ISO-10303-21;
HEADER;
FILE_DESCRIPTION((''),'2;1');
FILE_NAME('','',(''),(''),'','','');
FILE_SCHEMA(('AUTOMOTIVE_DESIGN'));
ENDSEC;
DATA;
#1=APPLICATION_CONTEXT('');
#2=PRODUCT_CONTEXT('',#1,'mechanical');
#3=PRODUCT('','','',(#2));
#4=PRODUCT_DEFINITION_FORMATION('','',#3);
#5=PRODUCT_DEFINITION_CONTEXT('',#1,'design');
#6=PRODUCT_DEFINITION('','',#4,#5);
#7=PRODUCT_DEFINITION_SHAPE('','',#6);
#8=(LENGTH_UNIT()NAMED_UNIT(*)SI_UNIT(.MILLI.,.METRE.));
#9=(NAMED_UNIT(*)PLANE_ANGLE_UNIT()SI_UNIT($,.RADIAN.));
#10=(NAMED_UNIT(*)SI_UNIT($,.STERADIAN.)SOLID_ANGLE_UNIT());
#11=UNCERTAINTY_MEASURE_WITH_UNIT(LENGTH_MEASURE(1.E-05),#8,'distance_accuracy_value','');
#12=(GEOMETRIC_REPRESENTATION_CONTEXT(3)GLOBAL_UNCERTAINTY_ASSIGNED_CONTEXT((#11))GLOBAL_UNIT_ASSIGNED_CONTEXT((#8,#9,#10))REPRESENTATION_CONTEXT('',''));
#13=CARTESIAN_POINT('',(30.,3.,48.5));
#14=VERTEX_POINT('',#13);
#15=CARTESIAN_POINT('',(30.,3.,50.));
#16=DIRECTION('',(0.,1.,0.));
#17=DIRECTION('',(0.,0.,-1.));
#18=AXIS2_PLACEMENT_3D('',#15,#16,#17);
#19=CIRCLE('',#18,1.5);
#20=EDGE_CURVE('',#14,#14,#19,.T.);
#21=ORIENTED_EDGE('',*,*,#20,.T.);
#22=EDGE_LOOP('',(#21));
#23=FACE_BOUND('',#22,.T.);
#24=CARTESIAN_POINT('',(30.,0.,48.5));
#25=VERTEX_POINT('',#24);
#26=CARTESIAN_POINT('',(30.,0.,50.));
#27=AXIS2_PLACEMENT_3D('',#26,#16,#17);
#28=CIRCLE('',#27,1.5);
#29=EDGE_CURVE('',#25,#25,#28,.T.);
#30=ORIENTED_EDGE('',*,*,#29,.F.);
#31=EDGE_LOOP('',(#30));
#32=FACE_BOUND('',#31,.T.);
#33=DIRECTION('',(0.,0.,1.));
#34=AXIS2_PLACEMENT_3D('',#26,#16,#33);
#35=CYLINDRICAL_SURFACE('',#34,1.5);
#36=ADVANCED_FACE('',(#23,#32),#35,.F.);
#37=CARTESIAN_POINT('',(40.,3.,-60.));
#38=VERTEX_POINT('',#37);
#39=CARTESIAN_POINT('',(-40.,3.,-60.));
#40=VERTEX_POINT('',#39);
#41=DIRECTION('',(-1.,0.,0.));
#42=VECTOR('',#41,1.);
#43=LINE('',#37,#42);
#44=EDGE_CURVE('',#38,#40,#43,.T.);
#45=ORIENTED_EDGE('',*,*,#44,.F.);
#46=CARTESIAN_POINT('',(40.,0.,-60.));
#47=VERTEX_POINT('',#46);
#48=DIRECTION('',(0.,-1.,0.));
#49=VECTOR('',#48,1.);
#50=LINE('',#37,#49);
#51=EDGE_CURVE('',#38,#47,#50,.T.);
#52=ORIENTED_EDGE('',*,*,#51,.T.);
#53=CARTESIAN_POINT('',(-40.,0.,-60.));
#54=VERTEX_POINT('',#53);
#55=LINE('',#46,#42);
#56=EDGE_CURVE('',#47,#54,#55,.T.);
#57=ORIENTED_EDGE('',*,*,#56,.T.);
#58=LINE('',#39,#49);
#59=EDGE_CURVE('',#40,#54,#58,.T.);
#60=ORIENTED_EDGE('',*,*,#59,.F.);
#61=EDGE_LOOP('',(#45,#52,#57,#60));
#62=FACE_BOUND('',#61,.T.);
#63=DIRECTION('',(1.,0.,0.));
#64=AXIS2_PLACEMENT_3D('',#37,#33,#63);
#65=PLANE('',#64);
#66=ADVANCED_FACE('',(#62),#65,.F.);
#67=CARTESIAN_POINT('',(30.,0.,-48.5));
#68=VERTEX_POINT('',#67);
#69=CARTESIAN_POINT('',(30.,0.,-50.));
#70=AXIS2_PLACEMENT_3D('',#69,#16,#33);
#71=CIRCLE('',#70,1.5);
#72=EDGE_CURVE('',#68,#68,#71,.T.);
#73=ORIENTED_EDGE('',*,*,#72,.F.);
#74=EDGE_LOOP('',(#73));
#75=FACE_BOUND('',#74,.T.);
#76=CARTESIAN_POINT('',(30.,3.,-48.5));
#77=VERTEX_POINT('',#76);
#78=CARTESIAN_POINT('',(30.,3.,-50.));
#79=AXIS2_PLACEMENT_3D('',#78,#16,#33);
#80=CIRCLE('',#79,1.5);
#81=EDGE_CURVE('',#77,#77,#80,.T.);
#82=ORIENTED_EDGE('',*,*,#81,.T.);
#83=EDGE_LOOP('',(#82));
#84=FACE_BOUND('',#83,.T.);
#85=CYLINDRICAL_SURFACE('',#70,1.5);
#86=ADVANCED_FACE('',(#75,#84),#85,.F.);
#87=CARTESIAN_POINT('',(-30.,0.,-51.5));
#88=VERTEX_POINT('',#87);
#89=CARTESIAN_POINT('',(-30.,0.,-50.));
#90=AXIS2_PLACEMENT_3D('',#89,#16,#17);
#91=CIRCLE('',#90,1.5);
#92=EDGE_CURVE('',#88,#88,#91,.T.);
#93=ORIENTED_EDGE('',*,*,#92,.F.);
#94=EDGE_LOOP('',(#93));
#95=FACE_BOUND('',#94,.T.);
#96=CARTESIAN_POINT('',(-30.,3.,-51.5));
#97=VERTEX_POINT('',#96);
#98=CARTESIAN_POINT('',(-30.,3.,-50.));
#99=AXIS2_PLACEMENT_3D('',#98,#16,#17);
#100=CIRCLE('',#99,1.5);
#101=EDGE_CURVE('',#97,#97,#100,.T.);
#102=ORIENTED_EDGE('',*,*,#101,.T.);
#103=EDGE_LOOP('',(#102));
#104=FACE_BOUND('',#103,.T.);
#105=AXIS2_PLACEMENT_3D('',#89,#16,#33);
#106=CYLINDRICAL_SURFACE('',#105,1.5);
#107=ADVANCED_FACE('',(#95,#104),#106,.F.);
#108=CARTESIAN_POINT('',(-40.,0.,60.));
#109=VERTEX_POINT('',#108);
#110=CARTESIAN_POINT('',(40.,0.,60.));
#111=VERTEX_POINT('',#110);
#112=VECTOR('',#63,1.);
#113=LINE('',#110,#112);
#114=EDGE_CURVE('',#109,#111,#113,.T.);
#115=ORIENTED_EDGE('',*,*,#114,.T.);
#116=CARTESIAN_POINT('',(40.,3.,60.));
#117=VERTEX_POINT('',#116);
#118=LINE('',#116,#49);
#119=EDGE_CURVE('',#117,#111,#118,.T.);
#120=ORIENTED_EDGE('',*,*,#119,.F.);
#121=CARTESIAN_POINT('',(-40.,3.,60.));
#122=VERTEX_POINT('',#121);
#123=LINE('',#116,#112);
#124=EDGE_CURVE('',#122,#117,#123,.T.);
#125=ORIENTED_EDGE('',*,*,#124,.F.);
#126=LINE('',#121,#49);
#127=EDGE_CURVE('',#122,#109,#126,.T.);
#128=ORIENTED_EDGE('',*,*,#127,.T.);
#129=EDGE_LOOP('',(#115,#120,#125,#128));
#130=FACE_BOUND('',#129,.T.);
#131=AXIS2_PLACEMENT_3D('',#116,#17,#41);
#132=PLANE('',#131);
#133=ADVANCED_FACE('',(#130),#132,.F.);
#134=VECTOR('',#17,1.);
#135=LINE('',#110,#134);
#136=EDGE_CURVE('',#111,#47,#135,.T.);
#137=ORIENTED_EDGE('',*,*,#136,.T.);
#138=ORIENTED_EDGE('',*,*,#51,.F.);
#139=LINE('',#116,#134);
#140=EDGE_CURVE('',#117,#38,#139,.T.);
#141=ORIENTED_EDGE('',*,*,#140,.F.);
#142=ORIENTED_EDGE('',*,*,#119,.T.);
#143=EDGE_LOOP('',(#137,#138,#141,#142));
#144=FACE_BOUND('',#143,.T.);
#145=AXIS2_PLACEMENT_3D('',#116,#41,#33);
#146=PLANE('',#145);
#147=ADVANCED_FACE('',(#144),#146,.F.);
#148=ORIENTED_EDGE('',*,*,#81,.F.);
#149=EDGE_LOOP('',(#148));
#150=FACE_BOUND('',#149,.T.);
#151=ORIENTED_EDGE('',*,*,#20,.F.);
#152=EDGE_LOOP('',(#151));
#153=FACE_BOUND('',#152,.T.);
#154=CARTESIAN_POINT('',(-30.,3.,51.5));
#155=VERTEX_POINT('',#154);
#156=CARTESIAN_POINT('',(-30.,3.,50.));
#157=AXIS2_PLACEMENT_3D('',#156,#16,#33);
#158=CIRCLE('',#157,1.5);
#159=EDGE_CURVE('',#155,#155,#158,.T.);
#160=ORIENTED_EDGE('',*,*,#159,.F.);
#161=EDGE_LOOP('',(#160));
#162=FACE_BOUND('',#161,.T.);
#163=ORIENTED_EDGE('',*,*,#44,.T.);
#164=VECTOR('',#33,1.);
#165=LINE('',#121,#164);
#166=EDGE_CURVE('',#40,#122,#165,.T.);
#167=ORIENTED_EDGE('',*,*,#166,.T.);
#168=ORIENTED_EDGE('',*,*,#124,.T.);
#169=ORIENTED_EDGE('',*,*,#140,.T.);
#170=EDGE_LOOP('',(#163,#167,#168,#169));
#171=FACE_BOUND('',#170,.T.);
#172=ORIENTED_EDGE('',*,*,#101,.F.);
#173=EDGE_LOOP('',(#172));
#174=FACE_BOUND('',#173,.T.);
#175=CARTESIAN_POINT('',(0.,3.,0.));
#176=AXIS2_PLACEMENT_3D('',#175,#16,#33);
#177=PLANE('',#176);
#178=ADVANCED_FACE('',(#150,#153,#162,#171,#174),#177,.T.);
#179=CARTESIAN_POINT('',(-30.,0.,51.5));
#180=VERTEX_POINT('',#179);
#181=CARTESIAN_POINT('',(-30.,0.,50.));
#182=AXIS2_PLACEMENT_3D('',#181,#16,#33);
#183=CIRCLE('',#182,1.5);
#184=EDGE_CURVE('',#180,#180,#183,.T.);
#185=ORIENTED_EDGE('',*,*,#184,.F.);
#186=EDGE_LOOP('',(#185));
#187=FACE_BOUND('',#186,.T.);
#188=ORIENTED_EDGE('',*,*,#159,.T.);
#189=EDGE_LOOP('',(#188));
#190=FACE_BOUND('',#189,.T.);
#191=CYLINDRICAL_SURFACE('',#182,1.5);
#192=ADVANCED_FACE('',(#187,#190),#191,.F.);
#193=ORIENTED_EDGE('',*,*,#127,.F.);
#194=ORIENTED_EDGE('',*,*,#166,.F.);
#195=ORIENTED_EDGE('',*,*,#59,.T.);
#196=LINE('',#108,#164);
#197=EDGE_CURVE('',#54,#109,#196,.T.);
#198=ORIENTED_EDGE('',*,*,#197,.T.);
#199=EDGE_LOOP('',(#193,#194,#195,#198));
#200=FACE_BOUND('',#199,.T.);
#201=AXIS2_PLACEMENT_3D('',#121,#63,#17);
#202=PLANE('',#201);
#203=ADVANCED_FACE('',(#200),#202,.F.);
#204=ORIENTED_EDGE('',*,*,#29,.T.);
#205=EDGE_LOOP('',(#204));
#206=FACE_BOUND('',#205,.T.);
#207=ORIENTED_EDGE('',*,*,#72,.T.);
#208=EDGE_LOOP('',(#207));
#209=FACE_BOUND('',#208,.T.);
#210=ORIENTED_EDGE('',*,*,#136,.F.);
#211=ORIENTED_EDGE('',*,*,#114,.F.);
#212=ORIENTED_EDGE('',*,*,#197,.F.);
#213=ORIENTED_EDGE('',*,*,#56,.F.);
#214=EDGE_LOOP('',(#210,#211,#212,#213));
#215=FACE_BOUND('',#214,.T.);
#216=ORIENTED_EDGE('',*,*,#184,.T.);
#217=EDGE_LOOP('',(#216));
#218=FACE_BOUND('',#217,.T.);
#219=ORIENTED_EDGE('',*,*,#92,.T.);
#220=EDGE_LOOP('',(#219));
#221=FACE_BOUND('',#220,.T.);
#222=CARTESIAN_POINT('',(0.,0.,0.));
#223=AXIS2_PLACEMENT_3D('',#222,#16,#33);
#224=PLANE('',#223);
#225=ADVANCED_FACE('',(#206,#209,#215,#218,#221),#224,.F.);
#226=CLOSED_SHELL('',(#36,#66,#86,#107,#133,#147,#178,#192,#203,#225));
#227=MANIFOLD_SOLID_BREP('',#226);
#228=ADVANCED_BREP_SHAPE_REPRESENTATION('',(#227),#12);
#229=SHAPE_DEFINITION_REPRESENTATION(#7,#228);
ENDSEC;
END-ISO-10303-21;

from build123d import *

# Parameters (mm, degrees)
SKETCH1_W           = 80
SKETCH1_H           = 120
BOSS_EXTRUDE1_DEPTH = 3
SKETCH3_R           = 1.5
CUT_EXTRUDE2_DEPTH  = 3


with BuildPart() as part:
    # Sketch1 → Boss-Extrude1 (new body)
    with BuildSketch(Plane(origin=(0, 0, 0), x_dir=(1, 0, 0), z_dir=(0, 1, 0))):
        Rectangle(SKETCH1_W, SKETCH1_H)
    extrude(amount=BOSS_EXTRUDE1_DEPTH)

    # Sketch3 → Cut-Extrude2 (cut)
    with BuildSketch(Plane(origin=(0, 3, 0), x_dir=(1, 0, 0), z_dir=(0, 1, 0))):
        with Locations(Location((-30, -50, 0), (0, 0, 270))):
            Circle(SKETCH3_R)
        with Locations(Location((30, -50, 0), (0, 0, 90))):
            Circle(SKETCH3_R)
        with Locations(Location((30, 50, 0), (0, 0, 270))):
            Circle(SKETCH3_R)
        with Locations(Location((-30, 50, 0), (0, 0, 90))):
            Circle(SKETCH3_R)
    extrude(amount=-CUT_EXTRUDE2_DEPTH, mode=Mode.SUBTRACT)


solid = part.part
